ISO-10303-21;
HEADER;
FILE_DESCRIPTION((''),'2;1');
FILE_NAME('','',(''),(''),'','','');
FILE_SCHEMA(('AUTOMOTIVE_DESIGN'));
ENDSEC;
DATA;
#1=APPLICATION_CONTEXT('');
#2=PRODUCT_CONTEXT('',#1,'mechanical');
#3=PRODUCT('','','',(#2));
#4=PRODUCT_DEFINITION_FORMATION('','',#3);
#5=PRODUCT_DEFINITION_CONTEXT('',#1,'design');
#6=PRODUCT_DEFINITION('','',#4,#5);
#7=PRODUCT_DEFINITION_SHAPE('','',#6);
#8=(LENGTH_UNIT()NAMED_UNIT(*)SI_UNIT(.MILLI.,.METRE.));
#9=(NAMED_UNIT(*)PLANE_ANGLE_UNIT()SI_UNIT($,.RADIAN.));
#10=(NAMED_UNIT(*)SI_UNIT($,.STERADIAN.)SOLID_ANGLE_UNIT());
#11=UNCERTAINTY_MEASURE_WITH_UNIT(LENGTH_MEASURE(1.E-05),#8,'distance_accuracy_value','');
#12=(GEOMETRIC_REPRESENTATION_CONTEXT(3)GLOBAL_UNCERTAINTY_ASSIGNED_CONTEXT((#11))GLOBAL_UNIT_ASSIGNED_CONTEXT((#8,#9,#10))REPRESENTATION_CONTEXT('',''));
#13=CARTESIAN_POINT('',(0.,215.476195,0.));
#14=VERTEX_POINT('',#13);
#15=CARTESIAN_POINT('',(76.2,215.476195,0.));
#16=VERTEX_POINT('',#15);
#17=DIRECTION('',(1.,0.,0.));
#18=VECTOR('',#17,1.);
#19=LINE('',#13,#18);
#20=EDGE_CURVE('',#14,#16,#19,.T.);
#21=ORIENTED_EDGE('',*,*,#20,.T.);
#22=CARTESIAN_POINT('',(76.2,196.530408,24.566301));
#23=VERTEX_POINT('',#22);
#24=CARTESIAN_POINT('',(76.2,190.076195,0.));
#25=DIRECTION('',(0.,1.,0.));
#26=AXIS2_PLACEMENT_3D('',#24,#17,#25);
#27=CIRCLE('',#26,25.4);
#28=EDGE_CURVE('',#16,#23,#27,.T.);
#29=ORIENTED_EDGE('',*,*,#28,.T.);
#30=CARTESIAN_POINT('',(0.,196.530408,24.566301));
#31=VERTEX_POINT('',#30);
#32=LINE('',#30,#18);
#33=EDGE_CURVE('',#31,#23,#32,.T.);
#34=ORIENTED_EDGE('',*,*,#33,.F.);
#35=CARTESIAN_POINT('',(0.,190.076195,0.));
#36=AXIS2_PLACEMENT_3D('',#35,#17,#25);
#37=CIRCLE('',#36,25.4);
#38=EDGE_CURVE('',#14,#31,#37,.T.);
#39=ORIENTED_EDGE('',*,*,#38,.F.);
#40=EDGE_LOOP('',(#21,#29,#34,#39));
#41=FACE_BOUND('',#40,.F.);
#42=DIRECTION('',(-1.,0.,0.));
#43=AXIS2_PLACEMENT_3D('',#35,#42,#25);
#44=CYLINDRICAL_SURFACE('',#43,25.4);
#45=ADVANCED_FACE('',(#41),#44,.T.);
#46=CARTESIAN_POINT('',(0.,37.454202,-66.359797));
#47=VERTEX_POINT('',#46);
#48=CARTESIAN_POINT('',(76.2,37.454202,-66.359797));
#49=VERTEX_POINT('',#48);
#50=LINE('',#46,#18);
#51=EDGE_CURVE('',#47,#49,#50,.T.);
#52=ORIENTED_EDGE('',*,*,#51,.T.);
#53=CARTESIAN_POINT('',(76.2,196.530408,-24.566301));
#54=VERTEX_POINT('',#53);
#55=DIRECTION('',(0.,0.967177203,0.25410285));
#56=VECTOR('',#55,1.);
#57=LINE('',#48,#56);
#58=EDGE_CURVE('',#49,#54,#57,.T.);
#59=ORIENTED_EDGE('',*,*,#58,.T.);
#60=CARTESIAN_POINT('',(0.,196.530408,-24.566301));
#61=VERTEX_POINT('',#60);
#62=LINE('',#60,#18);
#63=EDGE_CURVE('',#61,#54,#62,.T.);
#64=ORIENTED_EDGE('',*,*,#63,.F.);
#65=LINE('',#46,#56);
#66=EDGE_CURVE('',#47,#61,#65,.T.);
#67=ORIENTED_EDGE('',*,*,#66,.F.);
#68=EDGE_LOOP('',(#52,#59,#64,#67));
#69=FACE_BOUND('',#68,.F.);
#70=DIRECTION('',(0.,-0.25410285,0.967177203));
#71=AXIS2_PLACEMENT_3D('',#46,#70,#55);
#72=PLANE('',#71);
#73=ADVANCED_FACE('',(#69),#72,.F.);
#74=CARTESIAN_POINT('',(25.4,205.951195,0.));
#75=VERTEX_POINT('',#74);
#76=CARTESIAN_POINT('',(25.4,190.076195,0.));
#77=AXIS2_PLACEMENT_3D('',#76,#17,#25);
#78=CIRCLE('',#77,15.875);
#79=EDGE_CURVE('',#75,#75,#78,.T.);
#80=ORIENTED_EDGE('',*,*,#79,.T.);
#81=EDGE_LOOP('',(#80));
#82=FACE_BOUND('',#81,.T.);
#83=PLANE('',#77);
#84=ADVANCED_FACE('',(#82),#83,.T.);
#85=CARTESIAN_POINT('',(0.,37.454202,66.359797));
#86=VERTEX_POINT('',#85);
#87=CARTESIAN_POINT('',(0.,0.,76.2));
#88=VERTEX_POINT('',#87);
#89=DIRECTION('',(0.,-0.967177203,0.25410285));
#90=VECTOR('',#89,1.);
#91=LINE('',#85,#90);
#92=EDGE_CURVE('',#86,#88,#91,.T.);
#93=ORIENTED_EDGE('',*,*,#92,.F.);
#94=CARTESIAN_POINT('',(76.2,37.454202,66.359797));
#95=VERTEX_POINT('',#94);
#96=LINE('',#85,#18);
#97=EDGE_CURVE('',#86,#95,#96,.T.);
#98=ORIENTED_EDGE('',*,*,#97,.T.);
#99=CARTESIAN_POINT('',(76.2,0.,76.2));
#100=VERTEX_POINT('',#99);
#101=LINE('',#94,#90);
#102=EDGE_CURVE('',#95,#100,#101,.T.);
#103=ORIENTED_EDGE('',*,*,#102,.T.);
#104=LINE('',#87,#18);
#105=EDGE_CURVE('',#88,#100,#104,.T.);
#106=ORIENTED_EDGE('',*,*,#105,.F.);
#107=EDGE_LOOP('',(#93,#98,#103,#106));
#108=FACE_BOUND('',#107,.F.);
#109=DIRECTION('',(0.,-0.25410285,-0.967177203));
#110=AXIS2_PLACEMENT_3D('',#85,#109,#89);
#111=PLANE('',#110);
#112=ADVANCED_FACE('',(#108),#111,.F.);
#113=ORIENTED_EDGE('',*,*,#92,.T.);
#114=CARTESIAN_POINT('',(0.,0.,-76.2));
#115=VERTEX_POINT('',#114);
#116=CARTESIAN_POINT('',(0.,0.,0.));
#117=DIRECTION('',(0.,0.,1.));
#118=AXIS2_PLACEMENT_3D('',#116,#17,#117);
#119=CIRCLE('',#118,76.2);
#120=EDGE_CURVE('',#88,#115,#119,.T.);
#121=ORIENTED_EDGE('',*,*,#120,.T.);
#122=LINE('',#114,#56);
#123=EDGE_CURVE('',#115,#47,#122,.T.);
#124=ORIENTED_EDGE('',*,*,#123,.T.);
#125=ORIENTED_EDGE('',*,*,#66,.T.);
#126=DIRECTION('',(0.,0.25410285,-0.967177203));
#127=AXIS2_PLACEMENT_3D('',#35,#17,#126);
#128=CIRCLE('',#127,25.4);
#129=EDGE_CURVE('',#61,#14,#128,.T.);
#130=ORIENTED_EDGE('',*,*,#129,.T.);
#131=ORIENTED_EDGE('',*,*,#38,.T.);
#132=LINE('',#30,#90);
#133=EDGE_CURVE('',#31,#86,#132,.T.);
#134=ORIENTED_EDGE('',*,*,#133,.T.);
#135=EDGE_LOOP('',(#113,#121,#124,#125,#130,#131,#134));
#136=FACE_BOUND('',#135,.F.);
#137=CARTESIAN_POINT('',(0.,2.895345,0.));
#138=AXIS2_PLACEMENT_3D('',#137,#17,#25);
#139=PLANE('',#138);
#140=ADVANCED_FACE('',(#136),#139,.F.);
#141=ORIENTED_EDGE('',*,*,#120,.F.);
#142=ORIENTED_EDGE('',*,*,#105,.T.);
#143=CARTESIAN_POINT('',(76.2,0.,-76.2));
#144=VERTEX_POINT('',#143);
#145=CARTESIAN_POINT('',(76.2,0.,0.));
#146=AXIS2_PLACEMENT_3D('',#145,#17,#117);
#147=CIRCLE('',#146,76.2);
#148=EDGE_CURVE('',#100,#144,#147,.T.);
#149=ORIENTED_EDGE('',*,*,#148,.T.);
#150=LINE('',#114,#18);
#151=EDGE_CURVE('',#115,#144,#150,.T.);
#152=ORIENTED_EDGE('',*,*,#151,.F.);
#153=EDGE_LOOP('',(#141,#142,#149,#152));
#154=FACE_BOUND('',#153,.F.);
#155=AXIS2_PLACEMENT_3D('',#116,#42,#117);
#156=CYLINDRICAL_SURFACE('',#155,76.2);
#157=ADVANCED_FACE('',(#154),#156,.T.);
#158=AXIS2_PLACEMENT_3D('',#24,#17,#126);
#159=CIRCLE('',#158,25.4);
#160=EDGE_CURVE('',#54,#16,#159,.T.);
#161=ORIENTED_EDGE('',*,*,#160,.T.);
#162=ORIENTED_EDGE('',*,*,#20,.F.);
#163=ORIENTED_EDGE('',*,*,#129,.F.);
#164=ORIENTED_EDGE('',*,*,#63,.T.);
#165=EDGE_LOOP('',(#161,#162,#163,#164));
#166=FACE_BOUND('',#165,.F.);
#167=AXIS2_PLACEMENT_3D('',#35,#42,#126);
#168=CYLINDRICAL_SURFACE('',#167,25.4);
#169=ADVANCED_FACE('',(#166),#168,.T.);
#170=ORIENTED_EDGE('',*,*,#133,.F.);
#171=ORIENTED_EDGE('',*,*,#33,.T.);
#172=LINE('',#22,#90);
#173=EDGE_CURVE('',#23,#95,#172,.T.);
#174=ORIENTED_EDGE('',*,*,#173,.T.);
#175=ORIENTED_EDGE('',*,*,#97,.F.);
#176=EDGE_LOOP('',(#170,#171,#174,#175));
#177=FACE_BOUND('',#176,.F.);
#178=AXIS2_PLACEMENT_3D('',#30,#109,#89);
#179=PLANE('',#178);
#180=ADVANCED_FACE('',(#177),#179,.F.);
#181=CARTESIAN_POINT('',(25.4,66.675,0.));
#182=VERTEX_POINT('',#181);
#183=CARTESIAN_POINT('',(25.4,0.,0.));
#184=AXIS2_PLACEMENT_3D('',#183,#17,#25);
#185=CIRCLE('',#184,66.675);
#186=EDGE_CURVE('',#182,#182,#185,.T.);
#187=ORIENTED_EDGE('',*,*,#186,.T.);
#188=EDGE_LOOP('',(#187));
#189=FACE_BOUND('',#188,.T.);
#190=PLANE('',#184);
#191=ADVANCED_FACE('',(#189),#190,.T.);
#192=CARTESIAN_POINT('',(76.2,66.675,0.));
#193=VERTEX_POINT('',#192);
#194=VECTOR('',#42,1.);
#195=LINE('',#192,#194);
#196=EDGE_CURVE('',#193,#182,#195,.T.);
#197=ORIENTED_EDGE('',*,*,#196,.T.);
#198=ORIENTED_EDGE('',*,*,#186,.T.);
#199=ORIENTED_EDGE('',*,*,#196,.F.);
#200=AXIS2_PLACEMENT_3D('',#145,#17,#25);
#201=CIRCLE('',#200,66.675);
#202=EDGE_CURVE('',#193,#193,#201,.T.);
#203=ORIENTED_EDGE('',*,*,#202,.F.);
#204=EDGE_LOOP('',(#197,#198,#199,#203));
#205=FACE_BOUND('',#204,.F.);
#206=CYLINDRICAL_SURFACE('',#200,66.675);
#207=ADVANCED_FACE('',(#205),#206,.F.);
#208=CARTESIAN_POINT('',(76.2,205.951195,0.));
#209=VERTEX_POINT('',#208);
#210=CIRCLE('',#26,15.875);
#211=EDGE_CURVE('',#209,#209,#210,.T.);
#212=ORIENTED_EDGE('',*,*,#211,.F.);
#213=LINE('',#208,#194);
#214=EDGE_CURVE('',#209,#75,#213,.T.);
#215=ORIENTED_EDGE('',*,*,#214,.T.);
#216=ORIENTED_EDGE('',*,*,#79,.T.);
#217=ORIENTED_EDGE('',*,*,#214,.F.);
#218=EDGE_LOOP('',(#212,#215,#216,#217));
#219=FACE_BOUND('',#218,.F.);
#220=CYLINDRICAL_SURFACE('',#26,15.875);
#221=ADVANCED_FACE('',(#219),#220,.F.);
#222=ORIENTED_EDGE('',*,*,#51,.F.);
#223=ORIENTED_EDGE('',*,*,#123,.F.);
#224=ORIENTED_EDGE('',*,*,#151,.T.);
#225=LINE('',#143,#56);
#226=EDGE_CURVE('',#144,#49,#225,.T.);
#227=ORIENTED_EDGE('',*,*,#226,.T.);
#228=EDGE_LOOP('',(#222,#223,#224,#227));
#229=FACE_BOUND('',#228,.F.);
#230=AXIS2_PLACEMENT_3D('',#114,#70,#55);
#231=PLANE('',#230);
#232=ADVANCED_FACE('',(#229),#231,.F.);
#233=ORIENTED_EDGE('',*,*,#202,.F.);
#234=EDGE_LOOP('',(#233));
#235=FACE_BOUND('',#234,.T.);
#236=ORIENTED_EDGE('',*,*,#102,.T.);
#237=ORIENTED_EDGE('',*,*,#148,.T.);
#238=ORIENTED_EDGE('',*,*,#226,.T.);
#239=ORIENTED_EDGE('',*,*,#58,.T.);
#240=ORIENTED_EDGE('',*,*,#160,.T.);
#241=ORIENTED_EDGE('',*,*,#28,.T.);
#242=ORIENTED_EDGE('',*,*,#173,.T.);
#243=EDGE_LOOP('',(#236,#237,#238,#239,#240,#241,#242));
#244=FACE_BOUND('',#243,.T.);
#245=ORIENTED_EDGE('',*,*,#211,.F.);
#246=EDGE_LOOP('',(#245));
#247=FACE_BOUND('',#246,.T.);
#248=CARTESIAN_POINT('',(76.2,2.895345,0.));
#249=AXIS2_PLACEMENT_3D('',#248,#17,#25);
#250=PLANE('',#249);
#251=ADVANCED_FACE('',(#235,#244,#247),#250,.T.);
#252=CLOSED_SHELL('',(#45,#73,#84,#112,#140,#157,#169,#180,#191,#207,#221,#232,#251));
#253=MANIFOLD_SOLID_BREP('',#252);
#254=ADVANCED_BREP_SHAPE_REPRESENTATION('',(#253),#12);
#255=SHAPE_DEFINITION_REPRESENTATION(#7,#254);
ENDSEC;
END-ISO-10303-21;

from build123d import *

# Parameters (mm, degrees)
F1_DEPTH = 76.2
F2_R     = 66.675
F2_R_2   = 15.875
F3_DEPTH = 50.8


with BuildPart() as f1:
    # F0 (on Right) → F1 (new body)
    with BuildSketch(Plane.YZ):
        with BuildLine():
            Line((37.4542024642, 66.3597974512), (0, 76.2))
            ThreePointArc((0, 76.2), (-76.2, 0), (0, -76.2))
            Line((0, -76.2), (37.4542024642, -66.3597974512))
            ThreePointArc((37.4542024642, -66.3597974512), (65.804446004, -38.4215419539), (76.2, 0))
            ThreePointArc((76.2, 0), (65.804446004, 38.4215419539), (37.4542024642, 66.3597974512))
        make_face()
        with BuildLine():
            Line((196.5304076289, 24.5663009536), (37.4542024642, 66.3597974512))
            ThreePointArc((37.4542024642, 66.3597974512), (65.804446004, 38.4215419539), (76.2, 0))
            ThreePointArc((76.2, 0), (65.804446004, -38.4215419539), (37.4542024642, -66.3597974512))
            Line((37.4542024642, -66.3597974512), (196.5304076289, -24.5663009536))
            ThreePointArc((196.5304076289, -24.5663009536), (164.6761952481, 0), (196.5304076289, 24.5663009536))
        make_face()
        with BuildLine():
            ThreePointArc((215.4761952481, 0), (210.1895862411, 15.5116569961), (196.5304076289, 24.5663009536))
            ThreePointArc((196.5304076289, 24.5663009536), (164.6761952481, 0), (196.5304076289, -24.5663009536))
            ThreePointArc((196.5304076289, -24.5663009536), (210.1895862411, -15.5116569961), (215.4761952481, 0))
        make_face()
    extrude(amount=F1_DEPTH)

    # F2 (on face) → F3 (cut)
    with BuildSketch(Plane.YZ.offset(76.2)):
        Circle(F2_R)
        with Locations((190.0761952481, 0)):
            Circle(F2_R_2)
    extrude(amount=-F3_DEPTH, mode=Mode.SUBTRACT)


solid = f1.part
